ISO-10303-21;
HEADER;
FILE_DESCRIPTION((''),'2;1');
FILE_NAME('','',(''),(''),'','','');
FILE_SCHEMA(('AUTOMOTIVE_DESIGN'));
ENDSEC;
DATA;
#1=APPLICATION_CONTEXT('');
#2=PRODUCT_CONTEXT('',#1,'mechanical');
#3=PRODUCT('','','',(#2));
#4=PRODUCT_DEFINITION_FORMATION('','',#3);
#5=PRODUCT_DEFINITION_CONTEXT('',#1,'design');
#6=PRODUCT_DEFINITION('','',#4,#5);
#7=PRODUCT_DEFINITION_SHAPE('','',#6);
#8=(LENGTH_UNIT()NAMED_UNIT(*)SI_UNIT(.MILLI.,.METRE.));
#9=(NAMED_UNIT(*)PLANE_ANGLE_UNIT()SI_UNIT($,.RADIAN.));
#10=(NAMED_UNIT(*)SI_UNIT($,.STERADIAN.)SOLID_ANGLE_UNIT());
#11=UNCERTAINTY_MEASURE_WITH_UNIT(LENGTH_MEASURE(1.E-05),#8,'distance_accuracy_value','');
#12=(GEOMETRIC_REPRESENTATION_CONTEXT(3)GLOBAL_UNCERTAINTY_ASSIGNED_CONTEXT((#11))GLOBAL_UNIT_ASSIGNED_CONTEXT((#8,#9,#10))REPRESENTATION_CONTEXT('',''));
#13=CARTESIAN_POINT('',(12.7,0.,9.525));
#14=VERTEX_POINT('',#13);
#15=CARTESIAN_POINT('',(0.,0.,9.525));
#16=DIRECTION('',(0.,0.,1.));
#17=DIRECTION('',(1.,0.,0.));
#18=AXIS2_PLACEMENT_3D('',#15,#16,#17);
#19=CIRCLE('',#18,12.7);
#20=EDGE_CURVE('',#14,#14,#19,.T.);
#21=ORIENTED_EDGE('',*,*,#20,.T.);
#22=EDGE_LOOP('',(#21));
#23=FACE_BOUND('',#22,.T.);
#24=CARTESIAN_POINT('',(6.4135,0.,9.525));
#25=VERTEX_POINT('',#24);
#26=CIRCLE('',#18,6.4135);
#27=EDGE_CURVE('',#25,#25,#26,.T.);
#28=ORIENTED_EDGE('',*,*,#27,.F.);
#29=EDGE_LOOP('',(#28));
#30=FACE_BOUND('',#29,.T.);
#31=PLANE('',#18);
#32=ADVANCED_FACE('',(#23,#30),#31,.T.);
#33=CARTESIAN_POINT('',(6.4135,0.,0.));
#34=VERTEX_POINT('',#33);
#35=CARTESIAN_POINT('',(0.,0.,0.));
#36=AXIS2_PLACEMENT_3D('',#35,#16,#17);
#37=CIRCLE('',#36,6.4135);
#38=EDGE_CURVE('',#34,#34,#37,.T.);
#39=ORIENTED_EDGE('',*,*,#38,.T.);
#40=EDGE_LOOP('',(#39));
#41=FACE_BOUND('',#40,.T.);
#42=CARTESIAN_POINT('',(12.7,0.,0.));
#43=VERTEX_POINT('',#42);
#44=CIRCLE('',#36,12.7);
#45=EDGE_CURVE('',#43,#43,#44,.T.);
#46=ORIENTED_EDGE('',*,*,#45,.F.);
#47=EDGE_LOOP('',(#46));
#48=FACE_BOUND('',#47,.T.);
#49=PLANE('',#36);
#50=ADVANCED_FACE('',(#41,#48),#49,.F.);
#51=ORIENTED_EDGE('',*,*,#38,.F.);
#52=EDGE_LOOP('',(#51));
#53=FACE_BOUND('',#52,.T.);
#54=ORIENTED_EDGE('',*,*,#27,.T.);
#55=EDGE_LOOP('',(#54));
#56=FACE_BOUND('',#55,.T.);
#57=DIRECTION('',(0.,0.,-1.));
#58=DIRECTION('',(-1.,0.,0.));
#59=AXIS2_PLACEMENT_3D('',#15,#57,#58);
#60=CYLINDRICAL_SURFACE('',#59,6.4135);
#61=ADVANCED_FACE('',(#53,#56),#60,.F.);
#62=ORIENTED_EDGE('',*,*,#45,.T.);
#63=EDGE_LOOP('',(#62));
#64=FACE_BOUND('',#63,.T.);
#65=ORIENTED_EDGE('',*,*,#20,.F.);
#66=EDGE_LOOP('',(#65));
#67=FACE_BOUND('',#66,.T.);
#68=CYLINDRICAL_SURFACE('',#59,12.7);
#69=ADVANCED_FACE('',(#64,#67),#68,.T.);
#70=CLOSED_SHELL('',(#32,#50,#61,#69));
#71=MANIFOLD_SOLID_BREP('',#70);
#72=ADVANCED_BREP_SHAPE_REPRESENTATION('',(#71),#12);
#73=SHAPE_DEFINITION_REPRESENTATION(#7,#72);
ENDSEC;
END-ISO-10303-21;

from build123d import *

# Parameters (mm, degrees)
SKETCH1_R           = 12.7
SKETCH1_R_2         = 6.4135
BOSS_EXTRUDE1_DEPTH = 9.525


with BuildPart() as part:
    # Sketch1 → Boss-Extrude1 (new body)
    with BuildSketch(Plane.XY):
        Circle(SKETCH1_R)
        Circle(SKETCH1_R_2, mode=Mode.SUBTRACT)
    extrude(amount=BOSS_EXTRUDE1_DEPTH)


solid = part.part
